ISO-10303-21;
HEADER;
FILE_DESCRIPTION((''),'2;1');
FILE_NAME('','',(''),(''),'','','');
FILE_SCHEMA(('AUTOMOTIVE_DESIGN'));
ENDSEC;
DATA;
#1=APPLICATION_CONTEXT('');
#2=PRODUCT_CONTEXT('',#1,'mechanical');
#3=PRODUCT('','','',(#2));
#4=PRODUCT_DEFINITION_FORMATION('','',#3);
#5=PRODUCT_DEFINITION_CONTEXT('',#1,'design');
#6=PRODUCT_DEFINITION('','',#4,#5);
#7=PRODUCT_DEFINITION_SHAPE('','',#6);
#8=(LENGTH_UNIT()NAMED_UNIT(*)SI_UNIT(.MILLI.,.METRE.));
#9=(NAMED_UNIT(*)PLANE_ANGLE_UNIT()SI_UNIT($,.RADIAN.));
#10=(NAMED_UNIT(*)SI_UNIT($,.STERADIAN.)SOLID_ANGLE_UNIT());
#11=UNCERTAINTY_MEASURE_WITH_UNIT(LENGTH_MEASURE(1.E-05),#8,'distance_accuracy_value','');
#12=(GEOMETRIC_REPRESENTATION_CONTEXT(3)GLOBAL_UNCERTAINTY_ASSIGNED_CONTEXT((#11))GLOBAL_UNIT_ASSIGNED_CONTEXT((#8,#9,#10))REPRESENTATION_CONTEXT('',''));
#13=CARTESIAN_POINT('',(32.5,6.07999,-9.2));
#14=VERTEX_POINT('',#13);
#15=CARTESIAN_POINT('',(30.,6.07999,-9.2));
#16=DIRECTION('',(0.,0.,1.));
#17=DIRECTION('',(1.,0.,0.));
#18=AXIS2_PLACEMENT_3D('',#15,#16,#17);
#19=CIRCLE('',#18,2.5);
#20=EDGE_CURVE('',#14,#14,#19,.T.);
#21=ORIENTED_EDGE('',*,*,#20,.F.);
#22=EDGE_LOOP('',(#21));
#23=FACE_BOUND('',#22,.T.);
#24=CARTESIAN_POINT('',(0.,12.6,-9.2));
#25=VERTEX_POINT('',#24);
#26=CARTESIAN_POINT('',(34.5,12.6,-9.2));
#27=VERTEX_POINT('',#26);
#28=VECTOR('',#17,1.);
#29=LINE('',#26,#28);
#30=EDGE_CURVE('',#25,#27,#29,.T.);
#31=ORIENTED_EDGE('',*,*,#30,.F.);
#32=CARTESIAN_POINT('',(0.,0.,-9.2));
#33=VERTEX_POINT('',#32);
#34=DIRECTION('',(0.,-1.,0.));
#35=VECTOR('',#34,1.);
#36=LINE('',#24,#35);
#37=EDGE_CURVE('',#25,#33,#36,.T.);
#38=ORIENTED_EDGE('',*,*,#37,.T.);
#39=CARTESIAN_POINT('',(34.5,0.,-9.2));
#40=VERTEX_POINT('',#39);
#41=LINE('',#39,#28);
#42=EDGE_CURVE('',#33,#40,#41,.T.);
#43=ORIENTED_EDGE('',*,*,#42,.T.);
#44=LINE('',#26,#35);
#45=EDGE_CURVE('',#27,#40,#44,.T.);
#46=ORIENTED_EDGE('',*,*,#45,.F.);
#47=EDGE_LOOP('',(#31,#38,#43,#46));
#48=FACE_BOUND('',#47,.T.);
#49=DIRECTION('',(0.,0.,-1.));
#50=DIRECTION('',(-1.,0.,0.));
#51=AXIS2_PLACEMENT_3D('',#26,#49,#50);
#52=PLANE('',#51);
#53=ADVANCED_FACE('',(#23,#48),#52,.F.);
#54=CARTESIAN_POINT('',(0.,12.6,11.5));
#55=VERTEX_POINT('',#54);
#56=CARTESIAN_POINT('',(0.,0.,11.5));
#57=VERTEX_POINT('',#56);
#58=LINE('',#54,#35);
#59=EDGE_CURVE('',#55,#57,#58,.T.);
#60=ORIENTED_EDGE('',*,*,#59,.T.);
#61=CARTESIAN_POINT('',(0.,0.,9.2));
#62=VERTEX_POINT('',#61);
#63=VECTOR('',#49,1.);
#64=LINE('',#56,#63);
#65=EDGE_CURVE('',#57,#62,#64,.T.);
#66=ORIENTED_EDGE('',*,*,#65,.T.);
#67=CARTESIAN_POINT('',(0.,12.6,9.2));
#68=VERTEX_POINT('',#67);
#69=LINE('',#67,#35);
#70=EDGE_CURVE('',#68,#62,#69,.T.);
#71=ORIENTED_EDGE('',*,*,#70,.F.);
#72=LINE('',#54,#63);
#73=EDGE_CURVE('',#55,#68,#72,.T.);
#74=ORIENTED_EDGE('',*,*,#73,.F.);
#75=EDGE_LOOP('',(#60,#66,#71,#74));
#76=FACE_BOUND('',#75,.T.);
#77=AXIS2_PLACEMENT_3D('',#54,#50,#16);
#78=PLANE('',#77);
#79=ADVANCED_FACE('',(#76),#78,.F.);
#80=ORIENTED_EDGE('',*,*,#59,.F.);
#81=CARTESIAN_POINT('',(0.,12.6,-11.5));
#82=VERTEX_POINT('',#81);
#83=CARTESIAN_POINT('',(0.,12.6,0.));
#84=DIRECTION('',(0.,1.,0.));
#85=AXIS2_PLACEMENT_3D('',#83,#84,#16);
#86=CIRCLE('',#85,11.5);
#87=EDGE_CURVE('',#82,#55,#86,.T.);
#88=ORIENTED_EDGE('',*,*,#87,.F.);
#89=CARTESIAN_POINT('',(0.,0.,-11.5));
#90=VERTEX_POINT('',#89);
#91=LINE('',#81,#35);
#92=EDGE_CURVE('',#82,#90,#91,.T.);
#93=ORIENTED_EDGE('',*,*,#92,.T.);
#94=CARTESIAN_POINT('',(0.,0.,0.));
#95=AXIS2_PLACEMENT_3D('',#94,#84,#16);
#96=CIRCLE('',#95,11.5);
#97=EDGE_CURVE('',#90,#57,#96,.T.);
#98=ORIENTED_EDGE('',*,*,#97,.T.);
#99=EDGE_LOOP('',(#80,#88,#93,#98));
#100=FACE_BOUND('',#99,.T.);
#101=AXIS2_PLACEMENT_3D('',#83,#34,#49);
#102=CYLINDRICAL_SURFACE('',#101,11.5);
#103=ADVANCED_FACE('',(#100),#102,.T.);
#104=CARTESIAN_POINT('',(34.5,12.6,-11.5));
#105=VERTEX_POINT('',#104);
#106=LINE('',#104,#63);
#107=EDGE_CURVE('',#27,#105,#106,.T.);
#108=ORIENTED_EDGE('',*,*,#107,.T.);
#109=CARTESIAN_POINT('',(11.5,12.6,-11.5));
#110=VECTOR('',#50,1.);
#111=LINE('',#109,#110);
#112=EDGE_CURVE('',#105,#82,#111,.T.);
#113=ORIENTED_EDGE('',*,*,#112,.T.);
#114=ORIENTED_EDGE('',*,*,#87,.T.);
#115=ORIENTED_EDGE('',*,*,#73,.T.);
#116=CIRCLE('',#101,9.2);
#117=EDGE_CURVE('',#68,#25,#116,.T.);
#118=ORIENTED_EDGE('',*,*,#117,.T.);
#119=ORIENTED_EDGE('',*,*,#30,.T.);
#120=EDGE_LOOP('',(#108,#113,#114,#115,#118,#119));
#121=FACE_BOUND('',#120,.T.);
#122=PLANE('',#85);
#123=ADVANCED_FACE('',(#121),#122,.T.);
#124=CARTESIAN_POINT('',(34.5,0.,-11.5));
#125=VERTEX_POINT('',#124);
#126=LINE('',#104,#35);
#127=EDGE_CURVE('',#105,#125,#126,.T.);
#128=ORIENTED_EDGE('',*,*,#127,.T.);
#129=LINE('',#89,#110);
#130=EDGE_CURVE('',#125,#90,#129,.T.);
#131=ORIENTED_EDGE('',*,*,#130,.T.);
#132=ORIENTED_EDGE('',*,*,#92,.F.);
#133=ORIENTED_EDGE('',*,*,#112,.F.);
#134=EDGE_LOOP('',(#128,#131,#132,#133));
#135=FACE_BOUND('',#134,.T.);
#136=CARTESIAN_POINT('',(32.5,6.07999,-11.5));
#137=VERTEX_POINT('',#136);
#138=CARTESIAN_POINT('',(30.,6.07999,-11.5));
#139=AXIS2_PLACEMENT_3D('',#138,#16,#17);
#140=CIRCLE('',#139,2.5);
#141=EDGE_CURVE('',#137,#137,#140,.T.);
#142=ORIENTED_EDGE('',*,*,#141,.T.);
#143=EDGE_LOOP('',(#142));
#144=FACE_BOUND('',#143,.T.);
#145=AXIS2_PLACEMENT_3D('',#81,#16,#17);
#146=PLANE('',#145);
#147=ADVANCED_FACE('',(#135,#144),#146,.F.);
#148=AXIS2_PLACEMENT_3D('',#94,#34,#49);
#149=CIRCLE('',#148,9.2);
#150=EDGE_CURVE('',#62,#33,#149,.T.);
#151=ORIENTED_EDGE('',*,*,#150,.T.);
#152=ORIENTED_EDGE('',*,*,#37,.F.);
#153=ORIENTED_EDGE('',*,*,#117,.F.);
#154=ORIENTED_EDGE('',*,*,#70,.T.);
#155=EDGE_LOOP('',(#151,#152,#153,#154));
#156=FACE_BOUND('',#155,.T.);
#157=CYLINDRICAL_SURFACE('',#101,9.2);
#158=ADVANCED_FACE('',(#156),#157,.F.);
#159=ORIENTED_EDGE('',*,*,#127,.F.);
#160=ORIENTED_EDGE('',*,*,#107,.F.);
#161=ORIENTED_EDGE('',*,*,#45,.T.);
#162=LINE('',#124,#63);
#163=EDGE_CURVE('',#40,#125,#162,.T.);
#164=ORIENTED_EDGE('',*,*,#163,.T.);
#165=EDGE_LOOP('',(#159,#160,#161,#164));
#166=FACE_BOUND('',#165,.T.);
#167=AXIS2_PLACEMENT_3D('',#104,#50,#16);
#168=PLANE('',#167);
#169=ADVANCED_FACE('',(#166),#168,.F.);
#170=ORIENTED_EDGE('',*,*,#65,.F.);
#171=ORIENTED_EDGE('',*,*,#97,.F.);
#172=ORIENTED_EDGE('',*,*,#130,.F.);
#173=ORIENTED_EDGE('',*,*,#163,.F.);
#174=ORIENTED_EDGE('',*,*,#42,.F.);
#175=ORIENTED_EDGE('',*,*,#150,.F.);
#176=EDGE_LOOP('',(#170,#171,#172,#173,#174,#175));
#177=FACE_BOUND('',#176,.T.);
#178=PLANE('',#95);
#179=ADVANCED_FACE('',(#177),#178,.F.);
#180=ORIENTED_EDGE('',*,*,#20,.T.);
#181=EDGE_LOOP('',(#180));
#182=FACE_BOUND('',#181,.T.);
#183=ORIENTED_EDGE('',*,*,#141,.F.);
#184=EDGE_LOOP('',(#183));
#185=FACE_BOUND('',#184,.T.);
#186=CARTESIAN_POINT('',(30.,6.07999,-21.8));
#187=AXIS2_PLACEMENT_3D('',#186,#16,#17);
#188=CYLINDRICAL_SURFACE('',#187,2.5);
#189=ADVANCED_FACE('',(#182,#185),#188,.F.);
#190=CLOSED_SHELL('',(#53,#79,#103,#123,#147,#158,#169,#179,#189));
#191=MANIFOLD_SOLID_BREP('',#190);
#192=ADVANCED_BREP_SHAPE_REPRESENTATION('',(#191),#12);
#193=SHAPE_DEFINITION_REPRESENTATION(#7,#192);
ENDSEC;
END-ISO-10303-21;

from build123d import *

# Parameters (mm, degrees)
BOSS_EXTRUDE1_DEPTH = 12.6
SKETCH2_R           = 2.5
CUT_EXTRUDE1_DEPTH  = 12.6


with BuildPart() as part:
    # Sketch1 → Boss-Extrude1 (new body)
    with BuildSketch(Plane(origin=(0, 0, 0), x_dir=(1, 0, 0), z_dir=(0, 1, 0))):
        with BuildLine():
            Line((0, 11.5), (11.5, 11.5))
            Line((11.5, 11.5), (34.5, 11.5))
            Line((34.5, 11.5), (34.5, 9.2))
            Line((34.5, 9.2), (0, 9.2))
            ThreePointArc((0, 9.2), (-9.2, 0), (0, -9.2))
            Line((0, -9.2), (0, -11.5))
            ThreePointArc((0, -11.5), (-11.5, 0), (0, 11.5))
        make_face()
    extrude(amount=BOSS_EXTRUDE1_DEPTH)

    # Sketch2 → Cut-Extrude1 (cut)
    with BuildSketch(Plane.XY.offset(-9.2)):
        with Locations((30, 6.079989629)):
            Circle(SKETCH2_R)
    extrude(amount=-CUT_EXTRUDE1_DEPTH, mode=Mode.SUBTRACT)


solid = part.part
